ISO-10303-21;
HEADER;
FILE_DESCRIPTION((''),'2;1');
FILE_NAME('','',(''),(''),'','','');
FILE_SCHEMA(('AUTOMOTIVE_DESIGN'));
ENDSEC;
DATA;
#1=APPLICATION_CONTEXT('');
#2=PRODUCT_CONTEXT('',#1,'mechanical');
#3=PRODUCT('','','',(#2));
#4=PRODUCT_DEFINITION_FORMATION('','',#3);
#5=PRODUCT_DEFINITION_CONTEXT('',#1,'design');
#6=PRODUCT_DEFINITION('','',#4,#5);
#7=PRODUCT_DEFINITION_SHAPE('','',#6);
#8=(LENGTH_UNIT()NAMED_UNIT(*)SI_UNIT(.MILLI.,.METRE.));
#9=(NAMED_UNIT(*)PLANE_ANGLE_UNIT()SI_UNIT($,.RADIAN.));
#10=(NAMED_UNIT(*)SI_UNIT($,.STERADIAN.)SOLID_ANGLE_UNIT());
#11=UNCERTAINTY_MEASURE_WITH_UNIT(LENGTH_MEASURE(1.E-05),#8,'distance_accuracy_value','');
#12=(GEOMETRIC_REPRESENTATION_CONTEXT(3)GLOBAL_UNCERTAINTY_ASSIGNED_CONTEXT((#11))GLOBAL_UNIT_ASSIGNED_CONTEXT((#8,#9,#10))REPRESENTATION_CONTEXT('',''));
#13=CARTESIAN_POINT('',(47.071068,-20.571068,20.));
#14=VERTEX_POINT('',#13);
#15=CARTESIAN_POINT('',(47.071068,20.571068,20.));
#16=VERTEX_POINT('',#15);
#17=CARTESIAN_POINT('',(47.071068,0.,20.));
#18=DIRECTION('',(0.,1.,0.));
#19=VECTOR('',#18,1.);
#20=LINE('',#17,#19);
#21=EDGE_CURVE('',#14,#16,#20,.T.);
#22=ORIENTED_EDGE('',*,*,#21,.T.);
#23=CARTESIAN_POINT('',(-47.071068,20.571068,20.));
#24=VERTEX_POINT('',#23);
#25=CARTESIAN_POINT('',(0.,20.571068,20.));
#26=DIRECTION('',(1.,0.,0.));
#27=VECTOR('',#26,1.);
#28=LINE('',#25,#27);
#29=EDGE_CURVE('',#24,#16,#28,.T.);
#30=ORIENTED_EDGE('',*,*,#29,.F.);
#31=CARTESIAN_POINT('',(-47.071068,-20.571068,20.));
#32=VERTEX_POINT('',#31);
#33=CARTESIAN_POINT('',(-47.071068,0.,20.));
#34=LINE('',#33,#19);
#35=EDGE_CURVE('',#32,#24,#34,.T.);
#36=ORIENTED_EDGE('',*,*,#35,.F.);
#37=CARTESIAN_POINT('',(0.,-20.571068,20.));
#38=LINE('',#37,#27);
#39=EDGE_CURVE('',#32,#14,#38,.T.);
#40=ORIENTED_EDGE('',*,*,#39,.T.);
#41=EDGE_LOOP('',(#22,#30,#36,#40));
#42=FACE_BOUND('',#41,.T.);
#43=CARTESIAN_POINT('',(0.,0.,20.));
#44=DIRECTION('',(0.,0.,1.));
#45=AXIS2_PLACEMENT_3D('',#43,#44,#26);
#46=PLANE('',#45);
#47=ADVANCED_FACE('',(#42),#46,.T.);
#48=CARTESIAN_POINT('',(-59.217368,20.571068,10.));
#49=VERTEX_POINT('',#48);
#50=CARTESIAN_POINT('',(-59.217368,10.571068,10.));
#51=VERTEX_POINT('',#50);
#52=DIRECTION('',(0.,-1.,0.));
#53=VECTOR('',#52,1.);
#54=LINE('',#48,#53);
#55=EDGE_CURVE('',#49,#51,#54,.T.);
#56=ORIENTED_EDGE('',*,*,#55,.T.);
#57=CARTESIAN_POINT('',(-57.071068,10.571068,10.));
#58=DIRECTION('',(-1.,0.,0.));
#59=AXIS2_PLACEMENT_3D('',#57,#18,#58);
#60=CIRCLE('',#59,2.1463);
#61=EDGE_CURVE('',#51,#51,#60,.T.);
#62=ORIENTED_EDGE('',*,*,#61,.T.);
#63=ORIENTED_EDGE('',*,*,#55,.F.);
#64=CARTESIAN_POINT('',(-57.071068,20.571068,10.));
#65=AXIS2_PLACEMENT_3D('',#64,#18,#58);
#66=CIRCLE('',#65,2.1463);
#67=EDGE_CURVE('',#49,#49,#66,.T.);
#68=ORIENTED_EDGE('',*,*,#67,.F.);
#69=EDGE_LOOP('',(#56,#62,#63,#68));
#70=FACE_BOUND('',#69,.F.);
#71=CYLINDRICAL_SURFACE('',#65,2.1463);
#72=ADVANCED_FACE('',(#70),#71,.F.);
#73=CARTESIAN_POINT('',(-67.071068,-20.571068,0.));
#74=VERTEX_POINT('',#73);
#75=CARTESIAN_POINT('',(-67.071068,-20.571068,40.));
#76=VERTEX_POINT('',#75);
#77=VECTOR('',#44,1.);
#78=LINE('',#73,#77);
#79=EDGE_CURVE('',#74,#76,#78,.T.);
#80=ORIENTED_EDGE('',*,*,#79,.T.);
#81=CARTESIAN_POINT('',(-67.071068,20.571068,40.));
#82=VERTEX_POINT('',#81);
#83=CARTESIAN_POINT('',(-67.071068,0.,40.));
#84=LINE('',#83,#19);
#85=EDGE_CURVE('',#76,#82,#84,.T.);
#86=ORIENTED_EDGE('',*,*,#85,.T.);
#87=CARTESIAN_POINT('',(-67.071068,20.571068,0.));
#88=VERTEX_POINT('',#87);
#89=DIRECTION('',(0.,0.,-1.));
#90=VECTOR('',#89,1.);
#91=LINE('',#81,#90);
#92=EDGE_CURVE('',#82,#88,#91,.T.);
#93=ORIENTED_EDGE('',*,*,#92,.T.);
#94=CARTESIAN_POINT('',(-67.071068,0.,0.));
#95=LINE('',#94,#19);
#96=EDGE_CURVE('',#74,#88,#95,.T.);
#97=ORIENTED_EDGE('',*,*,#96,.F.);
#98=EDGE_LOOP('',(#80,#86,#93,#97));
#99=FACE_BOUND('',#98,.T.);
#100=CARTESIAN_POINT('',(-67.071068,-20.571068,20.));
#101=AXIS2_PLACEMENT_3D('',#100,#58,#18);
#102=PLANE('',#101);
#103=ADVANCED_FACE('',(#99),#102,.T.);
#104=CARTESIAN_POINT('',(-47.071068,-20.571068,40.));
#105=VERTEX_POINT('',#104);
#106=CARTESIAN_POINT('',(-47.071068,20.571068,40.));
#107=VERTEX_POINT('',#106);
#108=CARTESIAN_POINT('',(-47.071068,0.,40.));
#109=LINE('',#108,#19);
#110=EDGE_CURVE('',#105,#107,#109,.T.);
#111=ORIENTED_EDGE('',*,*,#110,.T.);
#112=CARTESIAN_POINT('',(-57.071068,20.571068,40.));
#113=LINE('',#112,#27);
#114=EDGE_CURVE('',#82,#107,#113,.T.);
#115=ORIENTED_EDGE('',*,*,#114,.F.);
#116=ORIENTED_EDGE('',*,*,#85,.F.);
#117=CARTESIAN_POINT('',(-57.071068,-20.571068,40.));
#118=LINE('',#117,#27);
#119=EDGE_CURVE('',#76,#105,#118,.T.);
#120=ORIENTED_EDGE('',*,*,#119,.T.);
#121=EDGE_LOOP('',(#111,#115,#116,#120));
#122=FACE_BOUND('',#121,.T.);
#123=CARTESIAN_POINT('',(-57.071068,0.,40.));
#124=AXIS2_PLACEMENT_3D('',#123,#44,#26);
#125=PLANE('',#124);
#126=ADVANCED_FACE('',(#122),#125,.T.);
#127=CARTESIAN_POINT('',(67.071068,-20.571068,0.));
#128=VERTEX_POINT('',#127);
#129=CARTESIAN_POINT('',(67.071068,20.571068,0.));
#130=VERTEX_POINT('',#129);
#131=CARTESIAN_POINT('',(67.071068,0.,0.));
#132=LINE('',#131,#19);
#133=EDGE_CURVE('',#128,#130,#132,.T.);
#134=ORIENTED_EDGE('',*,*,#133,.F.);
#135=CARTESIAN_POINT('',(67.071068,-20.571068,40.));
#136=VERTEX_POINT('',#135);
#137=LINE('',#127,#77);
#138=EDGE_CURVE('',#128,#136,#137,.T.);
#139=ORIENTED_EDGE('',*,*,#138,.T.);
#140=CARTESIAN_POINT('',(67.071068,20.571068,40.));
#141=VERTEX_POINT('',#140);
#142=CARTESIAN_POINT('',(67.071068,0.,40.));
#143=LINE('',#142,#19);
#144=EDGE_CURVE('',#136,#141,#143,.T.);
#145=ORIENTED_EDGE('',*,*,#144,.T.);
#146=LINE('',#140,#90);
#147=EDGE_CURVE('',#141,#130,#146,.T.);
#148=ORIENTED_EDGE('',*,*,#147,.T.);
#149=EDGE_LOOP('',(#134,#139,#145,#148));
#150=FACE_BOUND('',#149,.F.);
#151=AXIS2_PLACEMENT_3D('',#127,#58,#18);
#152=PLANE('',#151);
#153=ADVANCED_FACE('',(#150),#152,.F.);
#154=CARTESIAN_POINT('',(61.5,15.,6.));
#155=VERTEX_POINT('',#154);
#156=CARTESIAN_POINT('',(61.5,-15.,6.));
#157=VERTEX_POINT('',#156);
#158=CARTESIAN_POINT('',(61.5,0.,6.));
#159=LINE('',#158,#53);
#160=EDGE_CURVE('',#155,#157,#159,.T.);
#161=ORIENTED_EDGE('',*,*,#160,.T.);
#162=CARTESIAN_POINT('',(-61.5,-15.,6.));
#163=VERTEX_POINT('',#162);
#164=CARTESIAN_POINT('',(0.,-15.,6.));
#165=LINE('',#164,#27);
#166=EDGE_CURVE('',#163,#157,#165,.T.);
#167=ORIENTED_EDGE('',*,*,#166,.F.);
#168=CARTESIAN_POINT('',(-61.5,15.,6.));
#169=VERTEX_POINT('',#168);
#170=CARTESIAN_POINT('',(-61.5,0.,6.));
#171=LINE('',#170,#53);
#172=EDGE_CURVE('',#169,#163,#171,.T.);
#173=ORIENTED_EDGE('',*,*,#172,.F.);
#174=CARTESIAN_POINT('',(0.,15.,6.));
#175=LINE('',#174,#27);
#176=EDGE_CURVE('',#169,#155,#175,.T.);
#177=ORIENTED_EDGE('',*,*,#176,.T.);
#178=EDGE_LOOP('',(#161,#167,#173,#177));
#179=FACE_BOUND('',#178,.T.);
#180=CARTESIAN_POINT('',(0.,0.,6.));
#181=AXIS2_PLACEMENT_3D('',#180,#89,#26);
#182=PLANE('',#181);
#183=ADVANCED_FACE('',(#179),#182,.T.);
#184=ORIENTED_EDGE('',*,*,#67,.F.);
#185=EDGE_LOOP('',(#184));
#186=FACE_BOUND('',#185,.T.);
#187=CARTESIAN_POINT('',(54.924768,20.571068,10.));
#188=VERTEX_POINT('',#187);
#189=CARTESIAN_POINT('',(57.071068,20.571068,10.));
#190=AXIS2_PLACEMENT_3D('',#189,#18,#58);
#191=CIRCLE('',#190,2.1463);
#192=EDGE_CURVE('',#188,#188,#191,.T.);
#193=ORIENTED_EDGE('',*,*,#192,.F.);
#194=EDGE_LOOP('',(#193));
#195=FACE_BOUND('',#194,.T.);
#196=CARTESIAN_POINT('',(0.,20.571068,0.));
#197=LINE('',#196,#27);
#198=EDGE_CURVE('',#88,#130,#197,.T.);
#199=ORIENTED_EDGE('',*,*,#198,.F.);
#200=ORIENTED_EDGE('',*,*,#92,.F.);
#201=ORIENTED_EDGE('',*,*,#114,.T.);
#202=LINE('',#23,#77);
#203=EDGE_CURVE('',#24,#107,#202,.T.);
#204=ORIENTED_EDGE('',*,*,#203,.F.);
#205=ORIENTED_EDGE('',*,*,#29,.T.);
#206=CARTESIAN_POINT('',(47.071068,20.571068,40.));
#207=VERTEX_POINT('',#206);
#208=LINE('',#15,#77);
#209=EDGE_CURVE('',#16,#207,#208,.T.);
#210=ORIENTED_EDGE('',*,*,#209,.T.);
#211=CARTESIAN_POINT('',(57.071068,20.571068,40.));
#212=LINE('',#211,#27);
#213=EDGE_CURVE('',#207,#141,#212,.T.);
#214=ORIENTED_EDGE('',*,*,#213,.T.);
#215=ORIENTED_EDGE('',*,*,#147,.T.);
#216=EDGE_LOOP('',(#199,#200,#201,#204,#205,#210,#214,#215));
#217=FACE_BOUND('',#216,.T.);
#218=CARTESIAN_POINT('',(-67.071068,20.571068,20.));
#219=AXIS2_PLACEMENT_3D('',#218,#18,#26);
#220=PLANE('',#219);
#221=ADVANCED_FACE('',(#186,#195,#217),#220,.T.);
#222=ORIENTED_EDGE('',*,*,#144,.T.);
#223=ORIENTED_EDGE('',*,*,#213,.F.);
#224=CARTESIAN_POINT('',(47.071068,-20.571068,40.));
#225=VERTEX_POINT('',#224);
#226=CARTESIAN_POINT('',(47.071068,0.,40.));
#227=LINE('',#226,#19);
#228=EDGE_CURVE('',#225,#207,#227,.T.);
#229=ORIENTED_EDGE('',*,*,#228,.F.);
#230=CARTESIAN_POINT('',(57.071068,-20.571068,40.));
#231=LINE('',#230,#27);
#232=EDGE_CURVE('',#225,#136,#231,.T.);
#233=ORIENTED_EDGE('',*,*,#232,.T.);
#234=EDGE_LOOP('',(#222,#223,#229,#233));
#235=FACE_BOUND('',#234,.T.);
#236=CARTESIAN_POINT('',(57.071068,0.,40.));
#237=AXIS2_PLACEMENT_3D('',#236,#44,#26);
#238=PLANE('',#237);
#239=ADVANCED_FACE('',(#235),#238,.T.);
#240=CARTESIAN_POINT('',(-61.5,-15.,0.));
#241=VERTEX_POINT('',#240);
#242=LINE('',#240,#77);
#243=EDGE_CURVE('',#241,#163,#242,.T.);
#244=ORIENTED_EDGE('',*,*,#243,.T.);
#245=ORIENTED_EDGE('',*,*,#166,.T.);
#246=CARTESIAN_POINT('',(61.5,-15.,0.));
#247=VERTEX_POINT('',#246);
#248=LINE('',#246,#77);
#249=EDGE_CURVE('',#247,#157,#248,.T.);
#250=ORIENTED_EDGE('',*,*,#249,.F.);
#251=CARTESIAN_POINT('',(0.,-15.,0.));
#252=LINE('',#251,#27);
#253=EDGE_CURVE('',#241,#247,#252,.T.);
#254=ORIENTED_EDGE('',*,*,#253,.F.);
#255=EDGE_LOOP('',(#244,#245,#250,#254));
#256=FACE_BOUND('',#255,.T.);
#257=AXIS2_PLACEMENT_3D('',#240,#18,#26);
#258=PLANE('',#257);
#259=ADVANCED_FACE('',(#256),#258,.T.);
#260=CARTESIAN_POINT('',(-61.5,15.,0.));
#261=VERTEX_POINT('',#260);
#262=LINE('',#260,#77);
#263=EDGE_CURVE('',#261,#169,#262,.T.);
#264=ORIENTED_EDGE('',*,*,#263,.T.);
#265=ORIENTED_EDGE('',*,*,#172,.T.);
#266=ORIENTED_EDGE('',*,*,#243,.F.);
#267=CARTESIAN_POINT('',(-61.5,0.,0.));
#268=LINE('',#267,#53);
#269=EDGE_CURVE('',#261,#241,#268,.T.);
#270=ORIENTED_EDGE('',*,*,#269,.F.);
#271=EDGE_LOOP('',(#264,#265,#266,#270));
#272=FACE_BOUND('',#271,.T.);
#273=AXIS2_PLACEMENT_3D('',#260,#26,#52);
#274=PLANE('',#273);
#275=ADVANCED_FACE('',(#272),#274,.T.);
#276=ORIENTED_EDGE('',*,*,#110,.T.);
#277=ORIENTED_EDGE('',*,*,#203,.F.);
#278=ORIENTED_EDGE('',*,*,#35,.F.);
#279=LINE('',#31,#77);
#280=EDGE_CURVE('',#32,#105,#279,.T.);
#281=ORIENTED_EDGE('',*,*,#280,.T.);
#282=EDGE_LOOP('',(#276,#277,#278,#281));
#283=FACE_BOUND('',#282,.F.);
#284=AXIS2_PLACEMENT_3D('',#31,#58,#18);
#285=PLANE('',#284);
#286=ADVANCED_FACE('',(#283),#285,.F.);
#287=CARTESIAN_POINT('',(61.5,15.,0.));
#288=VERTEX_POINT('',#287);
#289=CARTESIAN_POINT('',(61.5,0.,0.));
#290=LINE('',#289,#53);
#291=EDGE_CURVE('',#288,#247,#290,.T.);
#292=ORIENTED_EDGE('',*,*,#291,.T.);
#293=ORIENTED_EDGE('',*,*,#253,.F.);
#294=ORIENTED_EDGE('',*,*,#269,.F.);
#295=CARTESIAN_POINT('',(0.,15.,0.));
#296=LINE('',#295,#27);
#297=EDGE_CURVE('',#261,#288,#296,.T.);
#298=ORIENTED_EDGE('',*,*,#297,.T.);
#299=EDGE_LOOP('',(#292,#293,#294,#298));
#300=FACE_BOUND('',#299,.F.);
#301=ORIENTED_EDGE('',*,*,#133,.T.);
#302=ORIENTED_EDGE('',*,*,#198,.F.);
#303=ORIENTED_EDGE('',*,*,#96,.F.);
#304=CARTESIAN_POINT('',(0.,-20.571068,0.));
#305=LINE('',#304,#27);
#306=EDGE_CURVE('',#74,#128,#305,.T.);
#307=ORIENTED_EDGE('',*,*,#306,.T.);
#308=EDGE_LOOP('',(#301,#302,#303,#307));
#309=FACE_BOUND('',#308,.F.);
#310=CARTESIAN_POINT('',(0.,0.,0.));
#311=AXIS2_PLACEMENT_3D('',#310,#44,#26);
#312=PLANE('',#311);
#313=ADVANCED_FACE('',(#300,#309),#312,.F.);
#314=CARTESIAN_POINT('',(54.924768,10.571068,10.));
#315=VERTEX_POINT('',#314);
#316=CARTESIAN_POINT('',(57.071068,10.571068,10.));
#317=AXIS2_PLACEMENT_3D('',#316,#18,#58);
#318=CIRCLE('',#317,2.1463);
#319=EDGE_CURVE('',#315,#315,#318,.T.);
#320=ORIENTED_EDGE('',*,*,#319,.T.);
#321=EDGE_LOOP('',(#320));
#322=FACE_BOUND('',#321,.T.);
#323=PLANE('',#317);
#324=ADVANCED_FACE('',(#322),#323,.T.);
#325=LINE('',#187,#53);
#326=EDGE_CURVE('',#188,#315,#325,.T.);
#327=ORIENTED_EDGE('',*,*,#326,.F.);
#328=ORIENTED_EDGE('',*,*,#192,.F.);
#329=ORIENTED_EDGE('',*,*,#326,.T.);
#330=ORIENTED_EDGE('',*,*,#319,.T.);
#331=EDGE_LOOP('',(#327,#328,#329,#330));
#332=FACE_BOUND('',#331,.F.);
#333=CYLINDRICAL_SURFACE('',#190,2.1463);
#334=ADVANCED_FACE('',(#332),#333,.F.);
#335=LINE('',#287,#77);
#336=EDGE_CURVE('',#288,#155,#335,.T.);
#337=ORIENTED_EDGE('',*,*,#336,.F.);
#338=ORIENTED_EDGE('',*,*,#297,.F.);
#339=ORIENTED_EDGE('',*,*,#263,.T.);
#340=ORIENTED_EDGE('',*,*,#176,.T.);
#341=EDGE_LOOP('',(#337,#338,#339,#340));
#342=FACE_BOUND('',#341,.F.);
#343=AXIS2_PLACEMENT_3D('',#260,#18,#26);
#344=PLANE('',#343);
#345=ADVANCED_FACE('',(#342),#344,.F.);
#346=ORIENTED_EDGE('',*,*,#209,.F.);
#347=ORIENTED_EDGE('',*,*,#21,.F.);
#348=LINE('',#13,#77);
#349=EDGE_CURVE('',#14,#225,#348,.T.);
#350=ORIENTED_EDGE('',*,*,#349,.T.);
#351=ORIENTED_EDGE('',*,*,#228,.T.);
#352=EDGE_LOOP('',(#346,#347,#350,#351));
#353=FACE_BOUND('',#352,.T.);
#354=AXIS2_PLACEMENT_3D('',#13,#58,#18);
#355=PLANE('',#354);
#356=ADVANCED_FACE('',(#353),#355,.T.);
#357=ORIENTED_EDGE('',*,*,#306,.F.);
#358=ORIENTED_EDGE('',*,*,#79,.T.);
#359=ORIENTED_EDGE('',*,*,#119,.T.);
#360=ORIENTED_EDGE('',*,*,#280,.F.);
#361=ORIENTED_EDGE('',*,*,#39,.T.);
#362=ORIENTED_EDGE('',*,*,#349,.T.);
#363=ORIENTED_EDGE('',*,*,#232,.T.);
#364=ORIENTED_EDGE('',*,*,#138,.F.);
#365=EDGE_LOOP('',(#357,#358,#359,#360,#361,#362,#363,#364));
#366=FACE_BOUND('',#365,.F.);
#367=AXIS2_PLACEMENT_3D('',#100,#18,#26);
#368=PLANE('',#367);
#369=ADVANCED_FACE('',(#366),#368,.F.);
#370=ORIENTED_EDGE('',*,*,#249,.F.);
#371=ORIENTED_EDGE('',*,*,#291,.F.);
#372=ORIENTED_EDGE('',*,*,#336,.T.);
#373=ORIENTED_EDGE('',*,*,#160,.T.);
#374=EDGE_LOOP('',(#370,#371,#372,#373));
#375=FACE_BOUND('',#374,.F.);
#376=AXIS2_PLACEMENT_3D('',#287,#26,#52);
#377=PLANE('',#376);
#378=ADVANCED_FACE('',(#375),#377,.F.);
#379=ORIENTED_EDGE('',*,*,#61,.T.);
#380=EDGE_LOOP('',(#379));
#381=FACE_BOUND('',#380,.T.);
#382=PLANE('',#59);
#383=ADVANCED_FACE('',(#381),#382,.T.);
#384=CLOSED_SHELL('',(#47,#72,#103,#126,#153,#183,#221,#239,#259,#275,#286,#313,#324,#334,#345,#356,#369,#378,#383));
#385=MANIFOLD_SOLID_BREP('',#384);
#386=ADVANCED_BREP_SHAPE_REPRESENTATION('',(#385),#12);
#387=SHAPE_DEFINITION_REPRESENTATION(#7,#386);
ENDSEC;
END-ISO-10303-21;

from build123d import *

# Parameters (mm, degrees)
SKETCH_W        = 134.142136
SKETCH_H        = 41.142136
PAD_DEPTH       = 20
SKETCH001_W     = 20
SKETCH001_H     = 41.142136
PAD001_DEPTH    = 20
SKETCH002_W     = 123
SKETCH002_H     = 30
POCKET_DEPTH    = 6
SKETCH003_R     = 2.1463
POCKET001_DEPTH = 10


with BuildPart() as part:
    # Sketch → Pad (new body)
    with BuildSketch(Plane.XY):
        Rectangle(SKETCH_W, SKETCH_H)
    extrude(amount=PAD_DEPTH)

    # Sketch001 (on Face6 of Pad) → Pad001 (join)
    with BuildSketch(Plane.XY.offset(20)):
        with Locations((-57.071068, 0)):
            Rectangle(SKETCH001_W, SKETCH001_H)
        with Locations((57.071068, 0)):
            Rectangle(SKETCH001_W, SKETCH001_H)
    extrude(amount=PAD001_DEPTH)

    # Sketch002 (on Face4 of Pad001) → Pocket (cut)
    with BuildSketch(Plane(origin=(0, 0, 0), x_dir=(1, 0, 0), z_dir=(0, 0, -1))):
        Rectangle(SKETCH002_W, SKETCH002_H)
    extrude(amount=-POCKET_DEPTH, mode=Mode.SUBTRACT)

    # Sketch003 (on Face1 of Pocket) → Pocket001 (cut)
    with BuildSketch(Plane(origin=(0, 20.571068, 0), x_dir=(-1, 0, 0), z_dir=(0, 1, 0))):
        with Locations((-57.071068, 10)):
            Circle(SKETCH003_R)
        with Locations((57.071068, 10)):
            Circle(SKETCH003_R)
    extrude(amount=-POCKET001_DEPTH, mode=Mode.SUBTRACT)


solid = part.part
